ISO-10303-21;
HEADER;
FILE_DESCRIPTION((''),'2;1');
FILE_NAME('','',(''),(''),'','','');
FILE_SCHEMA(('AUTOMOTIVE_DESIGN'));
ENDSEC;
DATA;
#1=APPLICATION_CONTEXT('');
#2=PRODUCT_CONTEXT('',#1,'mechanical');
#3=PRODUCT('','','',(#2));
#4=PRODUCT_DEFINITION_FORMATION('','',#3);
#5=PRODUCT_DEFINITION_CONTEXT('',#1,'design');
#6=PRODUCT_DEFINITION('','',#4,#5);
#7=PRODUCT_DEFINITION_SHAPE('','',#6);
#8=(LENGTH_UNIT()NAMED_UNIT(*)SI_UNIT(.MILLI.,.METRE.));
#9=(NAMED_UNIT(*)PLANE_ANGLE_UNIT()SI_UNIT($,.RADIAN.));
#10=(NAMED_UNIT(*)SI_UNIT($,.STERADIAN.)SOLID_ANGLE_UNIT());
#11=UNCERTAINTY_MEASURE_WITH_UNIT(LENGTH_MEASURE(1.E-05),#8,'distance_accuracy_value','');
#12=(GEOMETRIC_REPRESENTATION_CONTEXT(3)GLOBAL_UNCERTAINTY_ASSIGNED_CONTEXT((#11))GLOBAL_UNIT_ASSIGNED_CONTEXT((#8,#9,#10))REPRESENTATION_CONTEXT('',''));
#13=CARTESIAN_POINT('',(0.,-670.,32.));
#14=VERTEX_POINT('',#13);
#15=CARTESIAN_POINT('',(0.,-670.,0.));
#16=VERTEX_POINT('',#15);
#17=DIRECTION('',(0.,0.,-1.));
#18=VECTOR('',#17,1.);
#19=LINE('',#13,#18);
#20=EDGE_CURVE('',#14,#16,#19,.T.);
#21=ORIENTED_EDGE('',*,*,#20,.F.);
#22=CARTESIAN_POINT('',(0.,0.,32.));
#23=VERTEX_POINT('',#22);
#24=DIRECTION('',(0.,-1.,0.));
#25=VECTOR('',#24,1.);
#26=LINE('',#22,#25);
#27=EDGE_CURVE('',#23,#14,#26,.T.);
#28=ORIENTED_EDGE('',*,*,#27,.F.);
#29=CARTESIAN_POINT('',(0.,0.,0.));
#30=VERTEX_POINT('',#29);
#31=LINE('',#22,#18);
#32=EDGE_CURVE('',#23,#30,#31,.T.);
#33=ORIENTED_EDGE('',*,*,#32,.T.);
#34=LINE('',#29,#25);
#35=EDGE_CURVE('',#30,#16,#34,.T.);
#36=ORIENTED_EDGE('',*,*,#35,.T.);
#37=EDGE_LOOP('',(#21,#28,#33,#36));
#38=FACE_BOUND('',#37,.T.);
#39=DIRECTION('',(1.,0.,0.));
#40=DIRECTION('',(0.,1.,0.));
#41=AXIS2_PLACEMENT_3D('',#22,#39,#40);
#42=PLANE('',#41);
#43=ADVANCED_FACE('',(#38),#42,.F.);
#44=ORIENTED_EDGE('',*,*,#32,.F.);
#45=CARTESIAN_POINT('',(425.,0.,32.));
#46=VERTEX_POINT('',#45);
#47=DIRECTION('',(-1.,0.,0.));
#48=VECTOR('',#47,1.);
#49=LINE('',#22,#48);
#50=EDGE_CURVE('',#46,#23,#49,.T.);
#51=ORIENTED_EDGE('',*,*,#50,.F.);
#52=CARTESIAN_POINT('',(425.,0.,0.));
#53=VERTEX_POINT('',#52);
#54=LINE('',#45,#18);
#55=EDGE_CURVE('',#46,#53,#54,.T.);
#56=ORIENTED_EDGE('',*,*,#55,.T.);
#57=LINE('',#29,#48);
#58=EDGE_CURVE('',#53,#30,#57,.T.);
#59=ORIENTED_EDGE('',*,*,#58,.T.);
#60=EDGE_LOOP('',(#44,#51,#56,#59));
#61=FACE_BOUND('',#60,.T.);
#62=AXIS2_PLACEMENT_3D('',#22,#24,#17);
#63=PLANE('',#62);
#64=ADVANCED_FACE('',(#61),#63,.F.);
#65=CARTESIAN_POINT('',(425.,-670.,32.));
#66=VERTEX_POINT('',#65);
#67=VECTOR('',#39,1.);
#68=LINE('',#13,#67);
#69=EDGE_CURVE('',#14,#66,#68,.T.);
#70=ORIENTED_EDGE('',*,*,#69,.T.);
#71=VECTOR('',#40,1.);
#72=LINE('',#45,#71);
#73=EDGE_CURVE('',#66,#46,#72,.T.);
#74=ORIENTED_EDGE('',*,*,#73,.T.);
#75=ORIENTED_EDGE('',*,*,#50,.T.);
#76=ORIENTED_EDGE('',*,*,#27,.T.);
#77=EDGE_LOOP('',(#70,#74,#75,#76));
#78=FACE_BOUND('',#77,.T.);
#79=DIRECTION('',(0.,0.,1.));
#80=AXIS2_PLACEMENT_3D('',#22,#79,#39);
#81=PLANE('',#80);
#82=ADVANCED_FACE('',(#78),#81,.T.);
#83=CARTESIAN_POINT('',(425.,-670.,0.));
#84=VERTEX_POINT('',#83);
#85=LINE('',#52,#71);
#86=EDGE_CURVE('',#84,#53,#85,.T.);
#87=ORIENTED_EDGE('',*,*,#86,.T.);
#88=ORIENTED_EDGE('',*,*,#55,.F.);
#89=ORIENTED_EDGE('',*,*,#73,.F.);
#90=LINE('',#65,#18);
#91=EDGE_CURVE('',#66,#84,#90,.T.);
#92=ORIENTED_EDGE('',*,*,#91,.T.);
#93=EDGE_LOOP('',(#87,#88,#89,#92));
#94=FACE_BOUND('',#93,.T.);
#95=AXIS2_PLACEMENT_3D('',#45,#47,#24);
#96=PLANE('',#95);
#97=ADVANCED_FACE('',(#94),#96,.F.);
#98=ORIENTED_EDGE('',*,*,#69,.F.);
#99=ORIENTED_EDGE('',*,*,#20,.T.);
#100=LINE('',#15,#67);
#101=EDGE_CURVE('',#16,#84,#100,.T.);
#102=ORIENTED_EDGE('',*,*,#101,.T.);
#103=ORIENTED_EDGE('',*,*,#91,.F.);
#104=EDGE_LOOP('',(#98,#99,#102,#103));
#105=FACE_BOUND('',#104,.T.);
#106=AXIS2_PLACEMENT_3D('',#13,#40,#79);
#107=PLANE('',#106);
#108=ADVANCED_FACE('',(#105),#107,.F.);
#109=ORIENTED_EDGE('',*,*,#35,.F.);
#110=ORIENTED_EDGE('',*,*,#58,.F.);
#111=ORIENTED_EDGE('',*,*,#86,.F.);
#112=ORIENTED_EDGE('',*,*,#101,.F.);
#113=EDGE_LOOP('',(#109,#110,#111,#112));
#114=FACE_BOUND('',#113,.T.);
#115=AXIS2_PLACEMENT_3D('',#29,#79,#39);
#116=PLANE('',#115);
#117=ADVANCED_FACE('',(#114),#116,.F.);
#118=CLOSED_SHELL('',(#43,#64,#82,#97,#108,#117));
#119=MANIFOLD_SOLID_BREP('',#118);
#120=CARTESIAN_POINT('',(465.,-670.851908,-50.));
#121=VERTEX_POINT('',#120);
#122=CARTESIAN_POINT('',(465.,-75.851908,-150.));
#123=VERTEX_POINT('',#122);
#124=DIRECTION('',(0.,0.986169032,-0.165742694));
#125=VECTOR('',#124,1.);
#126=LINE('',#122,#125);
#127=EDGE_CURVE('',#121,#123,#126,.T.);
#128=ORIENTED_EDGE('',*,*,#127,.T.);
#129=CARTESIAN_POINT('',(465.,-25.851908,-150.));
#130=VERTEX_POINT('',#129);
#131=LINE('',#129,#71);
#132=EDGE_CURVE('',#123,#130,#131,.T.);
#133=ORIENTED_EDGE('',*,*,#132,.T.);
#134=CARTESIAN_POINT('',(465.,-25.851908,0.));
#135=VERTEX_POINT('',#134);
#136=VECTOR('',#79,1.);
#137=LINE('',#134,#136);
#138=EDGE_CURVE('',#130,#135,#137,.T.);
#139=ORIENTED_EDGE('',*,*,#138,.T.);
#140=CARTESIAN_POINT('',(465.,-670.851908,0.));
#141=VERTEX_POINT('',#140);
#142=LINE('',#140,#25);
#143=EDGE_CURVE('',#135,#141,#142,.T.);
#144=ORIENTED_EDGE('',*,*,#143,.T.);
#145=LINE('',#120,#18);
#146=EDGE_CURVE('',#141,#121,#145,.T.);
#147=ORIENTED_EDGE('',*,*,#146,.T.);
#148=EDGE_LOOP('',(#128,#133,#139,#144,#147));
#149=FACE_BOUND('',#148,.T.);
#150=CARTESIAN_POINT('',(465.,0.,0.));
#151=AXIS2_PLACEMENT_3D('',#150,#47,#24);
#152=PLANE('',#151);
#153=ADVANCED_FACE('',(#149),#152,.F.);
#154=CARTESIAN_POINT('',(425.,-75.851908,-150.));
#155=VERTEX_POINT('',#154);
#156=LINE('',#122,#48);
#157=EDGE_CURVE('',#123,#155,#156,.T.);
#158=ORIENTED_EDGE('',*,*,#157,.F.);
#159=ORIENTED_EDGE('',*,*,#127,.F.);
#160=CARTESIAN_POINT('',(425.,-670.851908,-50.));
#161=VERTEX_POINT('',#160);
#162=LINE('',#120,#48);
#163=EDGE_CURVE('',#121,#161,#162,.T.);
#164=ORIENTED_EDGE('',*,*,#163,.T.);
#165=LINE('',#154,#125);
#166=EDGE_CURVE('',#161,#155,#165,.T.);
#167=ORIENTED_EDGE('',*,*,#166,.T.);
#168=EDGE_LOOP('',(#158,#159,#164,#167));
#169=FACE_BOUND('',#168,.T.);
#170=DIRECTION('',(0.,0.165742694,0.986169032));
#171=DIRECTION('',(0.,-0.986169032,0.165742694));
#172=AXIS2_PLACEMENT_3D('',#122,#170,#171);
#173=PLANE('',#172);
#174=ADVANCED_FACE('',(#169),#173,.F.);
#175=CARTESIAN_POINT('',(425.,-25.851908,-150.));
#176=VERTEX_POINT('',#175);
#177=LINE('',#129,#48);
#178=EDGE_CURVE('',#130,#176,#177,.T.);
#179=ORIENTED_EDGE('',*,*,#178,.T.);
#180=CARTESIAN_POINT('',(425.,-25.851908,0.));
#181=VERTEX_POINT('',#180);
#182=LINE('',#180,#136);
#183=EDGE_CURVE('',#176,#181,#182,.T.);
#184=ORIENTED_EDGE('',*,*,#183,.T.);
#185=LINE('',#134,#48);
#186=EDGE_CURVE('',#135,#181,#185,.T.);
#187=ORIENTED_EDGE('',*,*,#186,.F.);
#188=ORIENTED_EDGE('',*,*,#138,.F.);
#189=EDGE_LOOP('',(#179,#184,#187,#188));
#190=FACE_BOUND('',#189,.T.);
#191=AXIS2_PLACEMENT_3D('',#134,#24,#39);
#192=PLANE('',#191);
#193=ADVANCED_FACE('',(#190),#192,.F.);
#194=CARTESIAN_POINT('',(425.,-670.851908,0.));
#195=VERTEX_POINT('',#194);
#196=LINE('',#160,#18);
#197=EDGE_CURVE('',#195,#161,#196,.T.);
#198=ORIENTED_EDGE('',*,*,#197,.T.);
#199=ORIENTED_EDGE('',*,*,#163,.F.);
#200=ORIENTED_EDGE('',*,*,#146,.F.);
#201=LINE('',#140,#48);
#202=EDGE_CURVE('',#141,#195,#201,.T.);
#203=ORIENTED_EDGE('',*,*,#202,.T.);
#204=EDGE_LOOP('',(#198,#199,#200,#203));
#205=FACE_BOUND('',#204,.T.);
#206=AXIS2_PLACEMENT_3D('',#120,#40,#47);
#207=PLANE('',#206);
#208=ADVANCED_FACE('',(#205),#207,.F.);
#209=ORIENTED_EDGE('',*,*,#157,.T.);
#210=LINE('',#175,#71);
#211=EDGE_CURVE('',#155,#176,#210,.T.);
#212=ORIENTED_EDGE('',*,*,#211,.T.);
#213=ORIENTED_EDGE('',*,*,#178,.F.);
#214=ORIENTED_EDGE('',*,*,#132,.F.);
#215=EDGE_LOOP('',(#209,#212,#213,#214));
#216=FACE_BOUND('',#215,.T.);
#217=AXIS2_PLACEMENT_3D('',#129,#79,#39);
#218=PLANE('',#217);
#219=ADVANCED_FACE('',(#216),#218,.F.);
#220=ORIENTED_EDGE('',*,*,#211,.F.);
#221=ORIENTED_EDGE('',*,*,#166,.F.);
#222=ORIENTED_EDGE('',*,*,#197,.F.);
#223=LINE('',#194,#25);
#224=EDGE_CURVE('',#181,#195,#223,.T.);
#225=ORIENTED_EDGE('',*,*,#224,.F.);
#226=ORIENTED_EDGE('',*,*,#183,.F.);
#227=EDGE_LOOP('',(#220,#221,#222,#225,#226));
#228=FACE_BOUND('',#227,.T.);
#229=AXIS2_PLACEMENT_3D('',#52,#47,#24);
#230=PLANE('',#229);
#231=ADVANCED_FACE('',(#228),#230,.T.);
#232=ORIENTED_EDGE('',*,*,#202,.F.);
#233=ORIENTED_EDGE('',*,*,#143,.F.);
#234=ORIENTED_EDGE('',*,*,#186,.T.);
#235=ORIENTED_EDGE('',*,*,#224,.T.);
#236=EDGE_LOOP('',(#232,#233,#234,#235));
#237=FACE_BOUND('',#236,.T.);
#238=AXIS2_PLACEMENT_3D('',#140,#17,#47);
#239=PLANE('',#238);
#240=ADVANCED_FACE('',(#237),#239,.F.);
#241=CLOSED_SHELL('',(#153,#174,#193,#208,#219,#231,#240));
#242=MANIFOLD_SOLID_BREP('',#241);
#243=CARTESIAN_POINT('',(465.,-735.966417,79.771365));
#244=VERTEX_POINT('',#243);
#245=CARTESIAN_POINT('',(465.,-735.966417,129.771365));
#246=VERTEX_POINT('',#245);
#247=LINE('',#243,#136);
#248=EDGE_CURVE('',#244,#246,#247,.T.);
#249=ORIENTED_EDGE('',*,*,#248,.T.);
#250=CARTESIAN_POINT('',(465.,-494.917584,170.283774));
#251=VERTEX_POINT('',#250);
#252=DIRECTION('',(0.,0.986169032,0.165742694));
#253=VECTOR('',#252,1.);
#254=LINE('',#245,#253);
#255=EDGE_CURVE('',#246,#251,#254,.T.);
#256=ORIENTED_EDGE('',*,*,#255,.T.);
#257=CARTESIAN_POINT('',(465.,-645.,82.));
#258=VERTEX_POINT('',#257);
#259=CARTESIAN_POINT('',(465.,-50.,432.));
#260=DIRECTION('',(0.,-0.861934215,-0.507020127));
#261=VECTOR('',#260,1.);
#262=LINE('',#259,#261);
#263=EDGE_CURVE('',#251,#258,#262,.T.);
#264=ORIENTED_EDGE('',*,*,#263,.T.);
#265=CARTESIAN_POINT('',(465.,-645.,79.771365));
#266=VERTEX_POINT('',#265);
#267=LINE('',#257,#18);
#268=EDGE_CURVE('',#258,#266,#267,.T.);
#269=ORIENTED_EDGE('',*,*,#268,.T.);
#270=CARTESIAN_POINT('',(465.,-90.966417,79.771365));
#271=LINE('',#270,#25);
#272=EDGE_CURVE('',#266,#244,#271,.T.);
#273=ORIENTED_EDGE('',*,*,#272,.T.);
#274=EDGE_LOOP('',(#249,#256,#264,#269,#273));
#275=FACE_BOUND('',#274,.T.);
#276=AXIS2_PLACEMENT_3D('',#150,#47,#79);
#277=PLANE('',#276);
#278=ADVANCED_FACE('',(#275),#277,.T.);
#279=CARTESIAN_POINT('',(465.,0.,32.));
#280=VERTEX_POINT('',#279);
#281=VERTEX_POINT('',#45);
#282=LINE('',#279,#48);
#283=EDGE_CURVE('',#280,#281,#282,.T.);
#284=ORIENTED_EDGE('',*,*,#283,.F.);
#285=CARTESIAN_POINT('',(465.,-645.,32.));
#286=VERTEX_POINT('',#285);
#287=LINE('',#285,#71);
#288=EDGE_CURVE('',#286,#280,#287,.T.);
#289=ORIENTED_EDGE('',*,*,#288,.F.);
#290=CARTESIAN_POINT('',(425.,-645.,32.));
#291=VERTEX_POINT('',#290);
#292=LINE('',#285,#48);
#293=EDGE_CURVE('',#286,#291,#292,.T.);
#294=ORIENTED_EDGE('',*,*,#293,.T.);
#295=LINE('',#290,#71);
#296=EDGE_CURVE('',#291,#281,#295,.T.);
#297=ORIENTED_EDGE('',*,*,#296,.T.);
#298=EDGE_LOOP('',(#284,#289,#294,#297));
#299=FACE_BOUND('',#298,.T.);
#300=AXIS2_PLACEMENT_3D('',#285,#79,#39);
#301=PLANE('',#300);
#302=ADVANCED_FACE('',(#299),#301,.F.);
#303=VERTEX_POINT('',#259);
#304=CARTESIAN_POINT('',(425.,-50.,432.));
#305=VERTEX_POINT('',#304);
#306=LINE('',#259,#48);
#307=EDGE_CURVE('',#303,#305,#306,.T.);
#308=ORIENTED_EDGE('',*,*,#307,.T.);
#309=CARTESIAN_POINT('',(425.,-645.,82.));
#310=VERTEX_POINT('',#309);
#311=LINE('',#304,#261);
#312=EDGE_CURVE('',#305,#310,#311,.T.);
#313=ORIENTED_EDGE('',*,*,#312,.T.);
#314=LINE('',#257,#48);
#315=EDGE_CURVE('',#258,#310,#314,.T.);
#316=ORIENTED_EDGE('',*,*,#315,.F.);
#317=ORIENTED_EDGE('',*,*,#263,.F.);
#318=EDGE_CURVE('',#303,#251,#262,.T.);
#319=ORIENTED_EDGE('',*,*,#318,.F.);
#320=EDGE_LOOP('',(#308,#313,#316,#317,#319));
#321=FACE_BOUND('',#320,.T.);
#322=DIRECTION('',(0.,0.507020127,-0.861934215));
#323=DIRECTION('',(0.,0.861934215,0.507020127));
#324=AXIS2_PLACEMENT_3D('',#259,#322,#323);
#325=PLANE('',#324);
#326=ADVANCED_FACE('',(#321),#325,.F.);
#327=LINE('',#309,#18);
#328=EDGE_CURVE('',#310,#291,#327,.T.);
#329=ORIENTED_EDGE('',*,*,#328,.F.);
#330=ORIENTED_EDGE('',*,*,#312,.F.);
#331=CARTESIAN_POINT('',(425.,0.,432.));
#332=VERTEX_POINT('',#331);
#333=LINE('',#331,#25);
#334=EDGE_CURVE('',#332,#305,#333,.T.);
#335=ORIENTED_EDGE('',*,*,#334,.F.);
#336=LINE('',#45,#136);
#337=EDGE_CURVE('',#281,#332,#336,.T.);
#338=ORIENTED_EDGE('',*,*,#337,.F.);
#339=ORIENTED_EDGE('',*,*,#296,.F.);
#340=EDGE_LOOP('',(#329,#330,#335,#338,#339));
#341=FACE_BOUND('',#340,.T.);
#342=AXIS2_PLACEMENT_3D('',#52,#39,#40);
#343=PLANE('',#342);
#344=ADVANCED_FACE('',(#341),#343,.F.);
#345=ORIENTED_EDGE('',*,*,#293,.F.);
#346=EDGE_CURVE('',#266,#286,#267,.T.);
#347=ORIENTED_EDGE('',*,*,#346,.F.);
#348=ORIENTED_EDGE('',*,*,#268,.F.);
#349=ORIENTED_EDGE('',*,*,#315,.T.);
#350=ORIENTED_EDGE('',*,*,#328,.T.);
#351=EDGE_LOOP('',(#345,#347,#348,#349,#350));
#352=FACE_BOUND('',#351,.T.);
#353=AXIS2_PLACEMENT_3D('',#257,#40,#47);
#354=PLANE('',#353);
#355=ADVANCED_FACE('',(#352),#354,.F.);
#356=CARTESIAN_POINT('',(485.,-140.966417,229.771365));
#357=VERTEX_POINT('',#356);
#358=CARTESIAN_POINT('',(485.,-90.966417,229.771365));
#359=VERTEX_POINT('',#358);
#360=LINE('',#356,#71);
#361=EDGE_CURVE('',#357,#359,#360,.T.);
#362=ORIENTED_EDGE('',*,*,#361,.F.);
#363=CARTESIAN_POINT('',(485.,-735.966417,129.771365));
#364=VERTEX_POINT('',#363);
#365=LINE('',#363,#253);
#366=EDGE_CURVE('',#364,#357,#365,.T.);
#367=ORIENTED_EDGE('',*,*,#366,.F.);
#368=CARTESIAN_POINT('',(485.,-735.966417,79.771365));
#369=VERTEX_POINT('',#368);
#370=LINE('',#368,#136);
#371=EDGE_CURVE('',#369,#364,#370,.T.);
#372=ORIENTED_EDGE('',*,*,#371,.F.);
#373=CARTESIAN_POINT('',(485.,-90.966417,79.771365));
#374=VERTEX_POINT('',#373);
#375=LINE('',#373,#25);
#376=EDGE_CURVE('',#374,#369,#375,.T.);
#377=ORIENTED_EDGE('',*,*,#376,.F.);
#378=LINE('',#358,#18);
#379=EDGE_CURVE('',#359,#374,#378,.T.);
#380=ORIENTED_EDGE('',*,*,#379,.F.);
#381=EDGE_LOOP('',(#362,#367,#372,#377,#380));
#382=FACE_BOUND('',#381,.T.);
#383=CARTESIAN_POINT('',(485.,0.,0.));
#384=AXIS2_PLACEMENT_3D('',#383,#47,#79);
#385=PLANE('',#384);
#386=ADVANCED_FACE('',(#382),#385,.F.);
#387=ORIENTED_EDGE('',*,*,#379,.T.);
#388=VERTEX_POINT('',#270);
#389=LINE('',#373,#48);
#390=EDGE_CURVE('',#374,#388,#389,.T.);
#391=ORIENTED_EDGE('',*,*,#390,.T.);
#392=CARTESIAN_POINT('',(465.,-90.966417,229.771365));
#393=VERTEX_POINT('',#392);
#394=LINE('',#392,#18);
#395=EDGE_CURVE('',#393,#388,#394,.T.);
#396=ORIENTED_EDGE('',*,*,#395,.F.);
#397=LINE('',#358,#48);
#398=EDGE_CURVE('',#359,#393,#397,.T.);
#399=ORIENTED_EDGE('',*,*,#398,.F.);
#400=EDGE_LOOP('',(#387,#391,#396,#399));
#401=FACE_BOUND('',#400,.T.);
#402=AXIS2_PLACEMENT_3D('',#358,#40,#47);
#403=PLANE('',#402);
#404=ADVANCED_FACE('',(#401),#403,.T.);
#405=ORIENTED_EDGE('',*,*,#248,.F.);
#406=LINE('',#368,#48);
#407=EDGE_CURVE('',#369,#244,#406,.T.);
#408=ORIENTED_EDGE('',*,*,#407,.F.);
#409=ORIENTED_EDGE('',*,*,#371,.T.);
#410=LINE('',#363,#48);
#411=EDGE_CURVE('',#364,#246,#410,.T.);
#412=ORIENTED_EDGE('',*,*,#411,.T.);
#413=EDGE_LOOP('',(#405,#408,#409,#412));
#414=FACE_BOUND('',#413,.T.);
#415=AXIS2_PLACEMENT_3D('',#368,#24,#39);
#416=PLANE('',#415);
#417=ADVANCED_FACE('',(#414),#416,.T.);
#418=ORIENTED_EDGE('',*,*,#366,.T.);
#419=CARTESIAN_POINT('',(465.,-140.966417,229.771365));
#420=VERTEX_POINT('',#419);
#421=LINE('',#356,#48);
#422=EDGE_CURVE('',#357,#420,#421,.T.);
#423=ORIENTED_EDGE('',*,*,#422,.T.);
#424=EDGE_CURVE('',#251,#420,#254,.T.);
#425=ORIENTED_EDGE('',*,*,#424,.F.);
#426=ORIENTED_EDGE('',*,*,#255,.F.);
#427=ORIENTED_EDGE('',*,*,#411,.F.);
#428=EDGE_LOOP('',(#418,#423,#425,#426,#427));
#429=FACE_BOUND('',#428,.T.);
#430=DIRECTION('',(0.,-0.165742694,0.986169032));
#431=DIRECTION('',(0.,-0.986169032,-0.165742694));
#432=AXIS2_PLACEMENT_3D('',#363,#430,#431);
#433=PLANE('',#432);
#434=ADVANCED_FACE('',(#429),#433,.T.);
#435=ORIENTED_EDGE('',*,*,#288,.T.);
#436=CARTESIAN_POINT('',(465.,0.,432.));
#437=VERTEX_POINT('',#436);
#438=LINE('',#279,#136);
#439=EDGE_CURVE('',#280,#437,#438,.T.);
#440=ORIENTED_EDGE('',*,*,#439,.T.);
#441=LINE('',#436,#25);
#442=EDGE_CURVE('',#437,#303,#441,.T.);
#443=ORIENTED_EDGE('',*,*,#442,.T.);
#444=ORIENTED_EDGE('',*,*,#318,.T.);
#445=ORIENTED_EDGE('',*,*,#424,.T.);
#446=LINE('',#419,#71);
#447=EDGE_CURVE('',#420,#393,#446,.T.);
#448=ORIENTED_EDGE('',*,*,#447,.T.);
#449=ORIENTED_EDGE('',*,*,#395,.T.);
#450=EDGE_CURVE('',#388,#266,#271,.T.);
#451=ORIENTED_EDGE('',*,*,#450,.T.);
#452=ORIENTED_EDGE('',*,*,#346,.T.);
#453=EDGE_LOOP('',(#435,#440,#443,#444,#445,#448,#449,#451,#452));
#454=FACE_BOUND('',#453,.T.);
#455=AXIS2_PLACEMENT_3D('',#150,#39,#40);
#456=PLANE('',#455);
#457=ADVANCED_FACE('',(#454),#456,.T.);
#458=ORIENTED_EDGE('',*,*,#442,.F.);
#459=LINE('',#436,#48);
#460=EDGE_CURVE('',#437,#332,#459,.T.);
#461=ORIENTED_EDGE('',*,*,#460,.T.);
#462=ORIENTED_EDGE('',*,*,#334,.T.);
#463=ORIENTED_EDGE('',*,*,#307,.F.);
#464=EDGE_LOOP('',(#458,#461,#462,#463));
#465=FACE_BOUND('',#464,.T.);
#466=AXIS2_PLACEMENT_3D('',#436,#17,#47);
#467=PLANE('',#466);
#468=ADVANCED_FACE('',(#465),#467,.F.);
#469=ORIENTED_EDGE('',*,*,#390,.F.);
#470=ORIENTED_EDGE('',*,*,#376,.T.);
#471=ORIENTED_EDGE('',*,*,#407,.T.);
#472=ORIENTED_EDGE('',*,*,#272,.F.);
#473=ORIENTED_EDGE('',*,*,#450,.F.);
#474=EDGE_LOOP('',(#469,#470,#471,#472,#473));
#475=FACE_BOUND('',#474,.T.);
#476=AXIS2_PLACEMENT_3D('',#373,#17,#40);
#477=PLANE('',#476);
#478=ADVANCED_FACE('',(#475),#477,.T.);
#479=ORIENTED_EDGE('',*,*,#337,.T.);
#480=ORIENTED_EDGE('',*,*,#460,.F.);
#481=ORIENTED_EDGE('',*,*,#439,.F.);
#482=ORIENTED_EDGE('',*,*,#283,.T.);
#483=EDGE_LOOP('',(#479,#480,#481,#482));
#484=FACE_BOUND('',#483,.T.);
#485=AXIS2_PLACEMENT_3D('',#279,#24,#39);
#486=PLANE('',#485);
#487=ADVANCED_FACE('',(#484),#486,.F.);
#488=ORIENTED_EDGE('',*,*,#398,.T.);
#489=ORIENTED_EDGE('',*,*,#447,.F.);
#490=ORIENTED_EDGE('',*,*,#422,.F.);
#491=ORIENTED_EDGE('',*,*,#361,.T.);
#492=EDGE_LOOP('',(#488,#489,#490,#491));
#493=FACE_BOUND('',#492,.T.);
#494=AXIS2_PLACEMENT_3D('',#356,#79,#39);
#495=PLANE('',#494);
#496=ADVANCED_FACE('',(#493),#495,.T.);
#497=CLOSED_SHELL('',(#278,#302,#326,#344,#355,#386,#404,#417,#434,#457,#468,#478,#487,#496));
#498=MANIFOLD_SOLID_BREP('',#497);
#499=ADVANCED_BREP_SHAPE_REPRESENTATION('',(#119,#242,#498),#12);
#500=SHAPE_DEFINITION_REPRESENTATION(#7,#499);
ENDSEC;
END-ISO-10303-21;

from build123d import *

# Parameters (mm, degrees)
SKETCH1_W             = 425
SKETCH1_H             = 670
BOSS_EXTRUDE1_DEPTH   = 32
BOSS_EXTRUDE2_DEPTH   = 40
BOSS_EXTRUDE2_2_DEPTH = 40
BOSS_EXTRUDE3_DEPTH   = 20


with BuildPart() as part:
    # Sketch1 → Boss-Extrude1 (new body)
    with BuildSketch(Plane.XY):
        with Locations((212.5, -335)):
            Rectangle(SKETCH1_W, SKETCH1_H)
    extrude(amount=BOSS_EXTRUDE1_DEPTH)


with BuildPart() as body_2:
    # Sketch3 → Boss-Extrude2 (new body)
    with BuildSketch(Plane(origin=(425, 0, 0), x_dir=(0, 0, -1), z_dir=(1, 0, 0))):
        Polygon((-32, 0), (-432, 0), (-432, -50), (-82, -645), (-32, -645), align=None)
    extrude(amount=BOSS_EXTRUDE2_DEPTH)

    # Sketch4 → Boss-Extrude3 (add)
    with BuildSketch(Plane(origin=(465, 0, 0), x_dir=(0, 0, -1), z_dir=(1, 0, 0))):
        Polygon((-229.771365321, -90.966417035), (-79.771365321, -90.966417035), (-79.771365321, -735.966417035), (-129.771365321, -735.966417035), (-229.771365321, -140.966417035), align=None)
    extrude(amount=BOSS_EXTRUDE3_DEPTH)


with BuildPart() as body_3:
    # Sketch3 → Boss-Extrude2 2 (new body)
    with BuildSketch(Plane(origin=(425, 0, 0), x_dir=(0, 0, -1), z_dir=(1, 0, 0))):
        Polygon((0, -25.851907968), (150, -25.851907968), (150, -75.851907968), (50, -670.851907968), (0, -670.851907968), align=None)
    extrude(amount=BOSS_EXTRUDE2_2_DEPTH)


solid = Compound([part.part, body_2.part, body_3.part])
